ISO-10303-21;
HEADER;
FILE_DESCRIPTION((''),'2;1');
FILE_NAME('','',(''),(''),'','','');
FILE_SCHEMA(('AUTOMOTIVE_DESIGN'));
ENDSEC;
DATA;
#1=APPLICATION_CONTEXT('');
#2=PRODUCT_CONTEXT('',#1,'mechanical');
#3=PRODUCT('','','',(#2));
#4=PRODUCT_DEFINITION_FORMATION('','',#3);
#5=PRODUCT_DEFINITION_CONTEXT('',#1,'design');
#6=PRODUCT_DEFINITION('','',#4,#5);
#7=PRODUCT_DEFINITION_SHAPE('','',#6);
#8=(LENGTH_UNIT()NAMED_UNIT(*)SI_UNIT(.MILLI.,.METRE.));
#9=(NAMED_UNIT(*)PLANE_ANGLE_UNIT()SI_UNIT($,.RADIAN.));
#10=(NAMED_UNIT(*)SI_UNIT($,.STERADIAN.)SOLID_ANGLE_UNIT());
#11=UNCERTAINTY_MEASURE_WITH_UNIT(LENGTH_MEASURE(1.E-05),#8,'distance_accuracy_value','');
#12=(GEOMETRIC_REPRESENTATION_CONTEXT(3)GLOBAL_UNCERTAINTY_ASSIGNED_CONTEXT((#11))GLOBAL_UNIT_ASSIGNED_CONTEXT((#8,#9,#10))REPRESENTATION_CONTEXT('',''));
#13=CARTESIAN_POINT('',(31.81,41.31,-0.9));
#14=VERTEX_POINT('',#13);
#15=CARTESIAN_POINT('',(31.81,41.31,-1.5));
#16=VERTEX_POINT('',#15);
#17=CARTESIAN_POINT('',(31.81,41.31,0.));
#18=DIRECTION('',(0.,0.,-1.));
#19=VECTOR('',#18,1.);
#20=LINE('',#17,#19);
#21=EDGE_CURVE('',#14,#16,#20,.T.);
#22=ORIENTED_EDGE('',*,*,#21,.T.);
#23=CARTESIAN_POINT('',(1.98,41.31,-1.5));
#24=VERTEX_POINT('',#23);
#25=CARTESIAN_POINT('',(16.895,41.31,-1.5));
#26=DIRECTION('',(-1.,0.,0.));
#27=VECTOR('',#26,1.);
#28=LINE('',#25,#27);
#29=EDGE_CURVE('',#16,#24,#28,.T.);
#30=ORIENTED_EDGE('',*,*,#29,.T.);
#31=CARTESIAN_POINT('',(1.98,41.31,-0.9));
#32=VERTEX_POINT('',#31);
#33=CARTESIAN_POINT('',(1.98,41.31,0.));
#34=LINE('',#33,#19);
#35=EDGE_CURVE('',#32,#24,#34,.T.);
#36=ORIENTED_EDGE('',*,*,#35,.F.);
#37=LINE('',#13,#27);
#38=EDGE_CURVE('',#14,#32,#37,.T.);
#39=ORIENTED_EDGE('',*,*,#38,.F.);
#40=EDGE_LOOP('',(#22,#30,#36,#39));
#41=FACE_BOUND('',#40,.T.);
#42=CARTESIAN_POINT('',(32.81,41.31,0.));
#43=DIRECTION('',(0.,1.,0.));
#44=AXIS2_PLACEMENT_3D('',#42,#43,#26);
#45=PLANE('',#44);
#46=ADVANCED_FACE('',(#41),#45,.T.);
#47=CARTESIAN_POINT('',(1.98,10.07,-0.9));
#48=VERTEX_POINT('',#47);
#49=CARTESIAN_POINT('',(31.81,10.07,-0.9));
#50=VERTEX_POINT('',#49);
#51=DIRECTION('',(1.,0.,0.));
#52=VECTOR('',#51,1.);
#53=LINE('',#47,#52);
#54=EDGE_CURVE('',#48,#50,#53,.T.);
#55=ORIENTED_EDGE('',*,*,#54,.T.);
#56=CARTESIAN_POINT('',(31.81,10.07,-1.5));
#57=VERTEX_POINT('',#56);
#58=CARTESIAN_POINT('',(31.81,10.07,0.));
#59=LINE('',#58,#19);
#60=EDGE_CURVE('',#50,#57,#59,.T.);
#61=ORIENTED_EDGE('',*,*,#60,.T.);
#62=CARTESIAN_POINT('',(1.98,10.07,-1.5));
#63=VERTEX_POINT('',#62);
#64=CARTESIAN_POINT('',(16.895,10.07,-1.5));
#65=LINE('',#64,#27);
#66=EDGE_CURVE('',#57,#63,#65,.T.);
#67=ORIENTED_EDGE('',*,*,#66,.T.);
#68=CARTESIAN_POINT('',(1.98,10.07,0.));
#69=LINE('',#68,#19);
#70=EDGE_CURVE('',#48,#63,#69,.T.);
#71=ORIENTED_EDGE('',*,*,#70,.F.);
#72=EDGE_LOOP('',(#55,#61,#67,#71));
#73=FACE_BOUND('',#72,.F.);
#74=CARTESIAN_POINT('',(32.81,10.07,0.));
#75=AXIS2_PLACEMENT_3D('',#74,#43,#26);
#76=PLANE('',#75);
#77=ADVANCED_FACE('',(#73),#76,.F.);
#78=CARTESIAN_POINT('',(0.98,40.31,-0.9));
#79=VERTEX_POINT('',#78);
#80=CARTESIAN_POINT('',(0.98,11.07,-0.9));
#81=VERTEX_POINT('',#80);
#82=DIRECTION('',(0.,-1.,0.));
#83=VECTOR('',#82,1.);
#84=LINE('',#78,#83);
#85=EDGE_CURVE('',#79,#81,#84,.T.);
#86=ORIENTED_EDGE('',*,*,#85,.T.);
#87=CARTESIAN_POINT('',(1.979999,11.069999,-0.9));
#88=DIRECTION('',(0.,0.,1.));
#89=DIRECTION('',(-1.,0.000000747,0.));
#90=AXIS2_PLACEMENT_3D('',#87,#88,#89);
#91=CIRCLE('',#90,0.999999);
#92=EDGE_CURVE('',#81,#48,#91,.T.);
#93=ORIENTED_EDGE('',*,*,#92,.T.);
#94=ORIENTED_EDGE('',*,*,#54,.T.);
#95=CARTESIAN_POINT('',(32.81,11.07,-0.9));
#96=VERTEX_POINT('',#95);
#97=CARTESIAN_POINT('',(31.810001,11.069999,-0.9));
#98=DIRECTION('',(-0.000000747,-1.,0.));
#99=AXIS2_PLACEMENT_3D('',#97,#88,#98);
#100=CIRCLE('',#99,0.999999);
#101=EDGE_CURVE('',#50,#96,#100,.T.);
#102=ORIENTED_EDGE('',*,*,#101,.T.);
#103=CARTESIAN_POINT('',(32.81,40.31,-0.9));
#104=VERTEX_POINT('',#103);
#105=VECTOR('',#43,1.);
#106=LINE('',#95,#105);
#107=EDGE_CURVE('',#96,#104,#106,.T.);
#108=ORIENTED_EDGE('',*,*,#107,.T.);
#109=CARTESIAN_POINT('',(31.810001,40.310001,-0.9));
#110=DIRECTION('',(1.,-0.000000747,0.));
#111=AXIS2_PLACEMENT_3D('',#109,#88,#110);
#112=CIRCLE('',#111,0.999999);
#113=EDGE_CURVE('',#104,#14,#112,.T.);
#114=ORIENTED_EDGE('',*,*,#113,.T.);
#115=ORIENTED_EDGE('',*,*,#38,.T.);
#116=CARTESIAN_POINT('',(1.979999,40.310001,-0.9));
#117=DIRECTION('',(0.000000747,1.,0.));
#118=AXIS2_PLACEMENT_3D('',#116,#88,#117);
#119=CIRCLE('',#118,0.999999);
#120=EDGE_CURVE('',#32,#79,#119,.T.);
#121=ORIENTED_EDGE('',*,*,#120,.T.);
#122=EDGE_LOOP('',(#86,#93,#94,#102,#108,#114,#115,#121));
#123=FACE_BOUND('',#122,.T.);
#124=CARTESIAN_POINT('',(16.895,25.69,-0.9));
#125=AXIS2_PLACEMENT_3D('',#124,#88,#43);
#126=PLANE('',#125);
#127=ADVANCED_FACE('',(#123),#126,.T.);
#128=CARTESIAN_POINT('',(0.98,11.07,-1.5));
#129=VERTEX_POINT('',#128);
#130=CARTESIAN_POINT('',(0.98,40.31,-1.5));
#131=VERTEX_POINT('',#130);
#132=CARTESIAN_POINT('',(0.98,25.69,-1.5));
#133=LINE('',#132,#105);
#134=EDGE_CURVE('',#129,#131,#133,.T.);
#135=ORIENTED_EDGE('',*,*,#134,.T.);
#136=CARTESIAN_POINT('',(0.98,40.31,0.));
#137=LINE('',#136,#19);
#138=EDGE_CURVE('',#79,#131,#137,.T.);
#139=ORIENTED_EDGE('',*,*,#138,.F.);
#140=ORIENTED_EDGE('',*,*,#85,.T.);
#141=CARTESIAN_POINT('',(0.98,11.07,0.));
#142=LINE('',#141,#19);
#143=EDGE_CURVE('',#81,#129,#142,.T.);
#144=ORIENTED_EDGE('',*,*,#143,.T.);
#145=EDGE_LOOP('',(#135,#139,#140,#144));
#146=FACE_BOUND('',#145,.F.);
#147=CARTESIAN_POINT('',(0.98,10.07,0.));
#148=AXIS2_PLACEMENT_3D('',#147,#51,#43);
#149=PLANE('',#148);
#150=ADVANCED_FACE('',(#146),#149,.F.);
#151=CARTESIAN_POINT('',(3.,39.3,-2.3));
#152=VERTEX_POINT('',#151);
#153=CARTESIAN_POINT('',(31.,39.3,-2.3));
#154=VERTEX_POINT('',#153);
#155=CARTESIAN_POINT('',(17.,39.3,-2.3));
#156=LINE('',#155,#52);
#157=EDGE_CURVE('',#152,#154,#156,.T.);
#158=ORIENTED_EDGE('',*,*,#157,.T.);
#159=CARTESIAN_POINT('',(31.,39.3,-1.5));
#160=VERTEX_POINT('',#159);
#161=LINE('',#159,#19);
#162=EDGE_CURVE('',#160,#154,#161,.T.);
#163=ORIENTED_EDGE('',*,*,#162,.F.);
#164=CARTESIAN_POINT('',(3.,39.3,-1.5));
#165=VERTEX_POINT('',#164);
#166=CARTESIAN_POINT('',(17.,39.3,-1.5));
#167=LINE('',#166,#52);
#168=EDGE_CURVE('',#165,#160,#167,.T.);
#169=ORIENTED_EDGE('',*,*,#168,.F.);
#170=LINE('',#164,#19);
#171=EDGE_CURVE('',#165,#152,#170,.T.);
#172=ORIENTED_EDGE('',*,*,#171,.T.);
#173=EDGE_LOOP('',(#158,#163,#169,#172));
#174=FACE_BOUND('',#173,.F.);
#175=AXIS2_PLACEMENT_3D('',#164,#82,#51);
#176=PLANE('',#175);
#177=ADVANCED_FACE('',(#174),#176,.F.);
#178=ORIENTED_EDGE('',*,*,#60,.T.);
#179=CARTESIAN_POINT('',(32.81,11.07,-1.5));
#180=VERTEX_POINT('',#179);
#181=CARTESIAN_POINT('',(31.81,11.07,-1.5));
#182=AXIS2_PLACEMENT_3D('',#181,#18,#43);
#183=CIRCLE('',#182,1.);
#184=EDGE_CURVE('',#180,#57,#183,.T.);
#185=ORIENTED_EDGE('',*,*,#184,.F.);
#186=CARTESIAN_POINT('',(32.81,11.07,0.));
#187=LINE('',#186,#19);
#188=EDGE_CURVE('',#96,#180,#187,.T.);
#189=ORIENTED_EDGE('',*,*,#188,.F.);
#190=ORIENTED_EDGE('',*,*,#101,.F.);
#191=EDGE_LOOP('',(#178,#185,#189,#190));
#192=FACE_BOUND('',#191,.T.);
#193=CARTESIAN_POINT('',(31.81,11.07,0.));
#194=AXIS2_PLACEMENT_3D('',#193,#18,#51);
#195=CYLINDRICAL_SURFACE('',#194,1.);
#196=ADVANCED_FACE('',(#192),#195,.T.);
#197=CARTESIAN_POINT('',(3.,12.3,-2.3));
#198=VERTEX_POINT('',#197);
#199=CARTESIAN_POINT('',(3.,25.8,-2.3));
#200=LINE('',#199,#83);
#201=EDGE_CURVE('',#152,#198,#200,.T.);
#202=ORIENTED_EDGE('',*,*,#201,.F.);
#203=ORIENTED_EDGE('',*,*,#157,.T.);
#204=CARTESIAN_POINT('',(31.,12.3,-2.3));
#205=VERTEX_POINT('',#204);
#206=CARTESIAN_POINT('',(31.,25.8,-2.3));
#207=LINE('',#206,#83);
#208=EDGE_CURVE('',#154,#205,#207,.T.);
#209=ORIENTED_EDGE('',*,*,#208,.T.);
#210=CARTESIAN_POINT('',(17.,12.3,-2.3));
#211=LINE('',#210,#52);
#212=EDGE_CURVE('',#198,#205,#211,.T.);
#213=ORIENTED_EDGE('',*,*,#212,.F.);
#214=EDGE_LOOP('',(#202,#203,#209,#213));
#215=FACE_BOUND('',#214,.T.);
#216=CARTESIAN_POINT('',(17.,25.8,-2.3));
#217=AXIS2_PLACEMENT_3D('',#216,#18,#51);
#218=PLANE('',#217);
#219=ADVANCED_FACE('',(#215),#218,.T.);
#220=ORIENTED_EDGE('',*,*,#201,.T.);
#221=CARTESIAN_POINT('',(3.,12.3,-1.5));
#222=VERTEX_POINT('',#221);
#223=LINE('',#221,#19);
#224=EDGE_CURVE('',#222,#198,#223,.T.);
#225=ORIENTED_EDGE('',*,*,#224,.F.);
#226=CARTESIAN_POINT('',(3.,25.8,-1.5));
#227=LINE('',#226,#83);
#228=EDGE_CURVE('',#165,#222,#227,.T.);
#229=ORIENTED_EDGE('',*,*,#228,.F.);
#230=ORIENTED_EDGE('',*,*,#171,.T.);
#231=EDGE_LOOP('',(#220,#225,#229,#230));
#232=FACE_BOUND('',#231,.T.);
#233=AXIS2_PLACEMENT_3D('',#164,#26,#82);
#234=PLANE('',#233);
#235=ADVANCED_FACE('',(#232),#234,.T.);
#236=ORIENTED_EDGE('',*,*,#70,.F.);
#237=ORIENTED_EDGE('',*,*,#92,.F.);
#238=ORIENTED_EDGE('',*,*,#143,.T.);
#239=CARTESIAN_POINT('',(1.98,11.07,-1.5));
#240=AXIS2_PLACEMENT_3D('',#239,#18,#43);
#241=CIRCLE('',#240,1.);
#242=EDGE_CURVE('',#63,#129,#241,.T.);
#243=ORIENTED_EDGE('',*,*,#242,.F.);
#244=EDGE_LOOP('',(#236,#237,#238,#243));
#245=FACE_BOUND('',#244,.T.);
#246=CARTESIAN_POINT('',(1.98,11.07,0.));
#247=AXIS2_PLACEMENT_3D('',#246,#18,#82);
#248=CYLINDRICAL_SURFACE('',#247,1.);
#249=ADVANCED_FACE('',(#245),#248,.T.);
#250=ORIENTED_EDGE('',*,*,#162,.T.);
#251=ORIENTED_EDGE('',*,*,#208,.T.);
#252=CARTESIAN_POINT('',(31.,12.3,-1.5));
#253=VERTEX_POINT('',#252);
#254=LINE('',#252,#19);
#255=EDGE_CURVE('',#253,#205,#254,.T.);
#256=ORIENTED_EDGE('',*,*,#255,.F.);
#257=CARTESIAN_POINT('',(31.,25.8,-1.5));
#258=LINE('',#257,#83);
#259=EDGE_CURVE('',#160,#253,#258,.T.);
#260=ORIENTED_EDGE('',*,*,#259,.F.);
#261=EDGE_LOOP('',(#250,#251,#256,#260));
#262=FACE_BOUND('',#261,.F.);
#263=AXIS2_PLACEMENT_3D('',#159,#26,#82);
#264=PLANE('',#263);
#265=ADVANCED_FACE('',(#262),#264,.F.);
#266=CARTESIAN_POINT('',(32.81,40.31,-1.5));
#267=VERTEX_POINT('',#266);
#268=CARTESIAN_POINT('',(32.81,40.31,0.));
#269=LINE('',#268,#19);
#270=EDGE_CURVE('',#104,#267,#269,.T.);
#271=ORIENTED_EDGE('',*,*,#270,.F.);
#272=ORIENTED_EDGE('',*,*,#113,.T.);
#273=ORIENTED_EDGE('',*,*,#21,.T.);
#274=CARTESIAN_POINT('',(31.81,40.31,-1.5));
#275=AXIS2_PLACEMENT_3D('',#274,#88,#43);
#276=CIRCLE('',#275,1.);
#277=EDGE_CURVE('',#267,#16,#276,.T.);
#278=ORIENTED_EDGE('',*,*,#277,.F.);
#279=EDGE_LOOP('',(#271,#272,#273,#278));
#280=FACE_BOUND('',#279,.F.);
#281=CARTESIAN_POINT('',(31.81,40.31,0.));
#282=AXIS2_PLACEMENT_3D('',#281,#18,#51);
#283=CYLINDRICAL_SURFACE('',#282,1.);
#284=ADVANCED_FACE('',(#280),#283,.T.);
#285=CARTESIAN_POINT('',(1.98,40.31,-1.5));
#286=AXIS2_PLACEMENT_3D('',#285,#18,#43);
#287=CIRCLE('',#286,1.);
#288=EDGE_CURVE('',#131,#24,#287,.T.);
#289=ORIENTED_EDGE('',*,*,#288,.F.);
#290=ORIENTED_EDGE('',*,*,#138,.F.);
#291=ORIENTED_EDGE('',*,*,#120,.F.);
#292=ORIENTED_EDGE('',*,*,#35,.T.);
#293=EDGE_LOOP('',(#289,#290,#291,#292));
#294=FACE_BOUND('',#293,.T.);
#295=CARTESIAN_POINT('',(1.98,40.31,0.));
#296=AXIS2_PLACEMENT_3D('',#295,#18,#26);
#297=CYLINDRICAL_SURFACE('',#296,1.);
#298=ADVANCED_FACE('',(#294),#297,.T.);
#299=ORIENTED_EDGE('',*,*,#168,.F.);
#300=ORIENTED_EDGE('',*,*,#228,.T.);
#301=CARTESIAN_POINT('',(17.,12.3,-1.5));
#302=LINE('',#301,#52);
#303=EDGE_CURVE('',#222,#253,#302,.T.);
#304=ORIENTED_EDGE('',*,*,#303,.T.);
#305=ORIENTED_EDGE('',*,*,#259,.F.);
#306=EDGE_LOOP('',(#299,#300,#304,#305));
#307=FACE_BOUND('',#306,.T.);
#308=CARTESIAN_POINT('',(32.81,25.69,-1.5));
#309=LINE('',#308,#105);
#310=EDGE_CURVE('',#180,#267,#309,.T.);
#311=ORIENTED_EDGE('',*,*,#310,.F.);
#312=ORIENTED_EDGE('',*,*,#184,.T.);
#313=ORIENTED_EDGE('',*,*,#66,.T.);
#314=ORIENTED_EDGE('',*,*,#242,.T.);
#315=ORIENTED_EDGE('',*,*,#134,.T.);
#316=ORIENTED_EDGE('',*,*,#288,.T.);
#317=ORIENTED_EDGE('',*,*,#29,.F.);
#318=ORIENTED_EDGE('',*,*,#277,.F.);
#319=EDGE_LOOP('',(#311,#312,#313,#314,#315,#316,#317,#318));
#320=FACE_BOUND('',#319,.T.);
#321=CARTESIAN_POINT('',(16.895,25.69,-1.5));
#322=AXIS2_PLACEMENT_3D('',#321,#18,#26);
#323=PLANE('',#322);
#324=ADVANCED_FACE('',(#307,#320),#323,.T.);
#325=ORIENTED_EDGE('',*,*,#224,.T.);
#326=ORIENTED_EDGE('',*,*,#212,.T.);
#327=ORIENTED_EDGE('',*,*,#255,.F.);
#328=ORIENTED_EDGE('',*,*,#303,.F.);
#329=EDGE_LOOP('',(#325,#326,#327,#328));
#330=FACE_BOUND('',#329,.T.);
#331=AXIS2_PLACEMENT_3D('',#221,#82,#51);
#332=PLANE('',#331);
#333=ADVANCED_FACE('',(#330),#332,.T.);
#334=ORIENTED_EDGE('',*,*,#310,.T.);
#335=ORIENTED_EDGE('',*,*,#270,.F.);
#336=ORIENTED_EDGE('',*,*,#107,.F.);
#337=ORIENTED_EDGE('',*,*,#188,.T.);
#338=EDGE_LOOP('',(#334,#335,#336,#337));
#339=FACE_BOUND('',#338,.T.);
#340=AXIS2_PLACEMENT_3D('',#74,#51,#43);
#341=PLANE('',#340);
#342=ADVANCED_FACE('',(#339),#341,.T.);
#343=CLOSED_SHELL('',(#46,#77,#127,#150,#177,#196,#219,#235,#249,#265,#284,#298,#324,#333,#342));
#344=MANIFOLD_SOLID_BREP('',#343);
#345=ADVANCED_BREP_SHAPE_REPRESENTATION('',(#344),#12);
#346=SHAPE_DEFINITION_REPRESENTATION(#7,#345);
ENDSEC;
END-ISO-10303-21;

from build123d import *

# Parameters (mm, degrees)
SKETCH_W     = 31.83
SKETCH_H     = 31.24
PAD_DEPTH    = 1.5
FILLET_R     = 1
POCKET_DEPTH = 0.9
SKETCH028_W  = 28
SKETCH028_H  = 27
PAD021_DEPTH = 0.8


with BuildPart() as part:
    # Sketch → Pad (new body)
    with BuildSketch(Plane(origin=(0, 0, 0), x_dir=(-1, 0, 0), z_dir=(0, 0, -1))):
        with Locations((-16.895, 25.69)):
            Rectangle(SKETCH_W, SKETCH_H)
    extrude(amount=PAD_DEPTH)

    # Fillet
    fillet_edges = [part.edges().sort_by_distance(p)[0] for p in [
        (32.81, 41.31, -0.75),
        (0.98, 41.31, -0.75),
        (0.98, 10.07, -0.75),
        (32.81, 10.07, -0.75),
    ]]
    fillet(fillet_edges, radius=FILLET_R)

    # Fillet Face2 → Pocket (cut)
    with BuildSketch(Plane(origin=(16.895, 25.69, 0), x_dir=(0, 1, 0), z_dir=(0, 0, 1))):
        with BuildLine():
            Line((15.62, -14.915), (15.62, 14.915))
            ThreePointArc((15.62, 14.915), (15.327107, 15.622107), (14.62, 15.915))
            Line((14.62, 15.915), (-14.62, 15.915))
            ThreePointArc((-14.62, 15.915), (-15.327107, 15.622107), (-15.62, 14.915))
            Line((-15.62, 14.915), (-15.62, -14.915))
            ThreePointArc((-15.62, -14.915), (-15.327107, -15.622107), (-14.62, -15.915))
            Line((-14.62, -15.915), (14.62, -15.915))
            ThreePointArc((14.62, -15.915), (15.327107, -15.622107), (15.62, -14.915))
        make_face()
    extrude(amount=-POCKET_DEPTH, mode=Mode.SUBTRACT)

    # Sketch028 (on Face4 of Pocket) → Pad021 (join)
    with BuildSketch(Plane(origin=(0, 0, -1.5), x_dir=(1, 0, 0), z_dir=(0, 0, -1))):
        with Locations((17, -25.8)):
            Rectangle(SKETCH028_W, SKETCH028_H)
    extrude(amount=PAD021_DEPTH)


solid = part.part
